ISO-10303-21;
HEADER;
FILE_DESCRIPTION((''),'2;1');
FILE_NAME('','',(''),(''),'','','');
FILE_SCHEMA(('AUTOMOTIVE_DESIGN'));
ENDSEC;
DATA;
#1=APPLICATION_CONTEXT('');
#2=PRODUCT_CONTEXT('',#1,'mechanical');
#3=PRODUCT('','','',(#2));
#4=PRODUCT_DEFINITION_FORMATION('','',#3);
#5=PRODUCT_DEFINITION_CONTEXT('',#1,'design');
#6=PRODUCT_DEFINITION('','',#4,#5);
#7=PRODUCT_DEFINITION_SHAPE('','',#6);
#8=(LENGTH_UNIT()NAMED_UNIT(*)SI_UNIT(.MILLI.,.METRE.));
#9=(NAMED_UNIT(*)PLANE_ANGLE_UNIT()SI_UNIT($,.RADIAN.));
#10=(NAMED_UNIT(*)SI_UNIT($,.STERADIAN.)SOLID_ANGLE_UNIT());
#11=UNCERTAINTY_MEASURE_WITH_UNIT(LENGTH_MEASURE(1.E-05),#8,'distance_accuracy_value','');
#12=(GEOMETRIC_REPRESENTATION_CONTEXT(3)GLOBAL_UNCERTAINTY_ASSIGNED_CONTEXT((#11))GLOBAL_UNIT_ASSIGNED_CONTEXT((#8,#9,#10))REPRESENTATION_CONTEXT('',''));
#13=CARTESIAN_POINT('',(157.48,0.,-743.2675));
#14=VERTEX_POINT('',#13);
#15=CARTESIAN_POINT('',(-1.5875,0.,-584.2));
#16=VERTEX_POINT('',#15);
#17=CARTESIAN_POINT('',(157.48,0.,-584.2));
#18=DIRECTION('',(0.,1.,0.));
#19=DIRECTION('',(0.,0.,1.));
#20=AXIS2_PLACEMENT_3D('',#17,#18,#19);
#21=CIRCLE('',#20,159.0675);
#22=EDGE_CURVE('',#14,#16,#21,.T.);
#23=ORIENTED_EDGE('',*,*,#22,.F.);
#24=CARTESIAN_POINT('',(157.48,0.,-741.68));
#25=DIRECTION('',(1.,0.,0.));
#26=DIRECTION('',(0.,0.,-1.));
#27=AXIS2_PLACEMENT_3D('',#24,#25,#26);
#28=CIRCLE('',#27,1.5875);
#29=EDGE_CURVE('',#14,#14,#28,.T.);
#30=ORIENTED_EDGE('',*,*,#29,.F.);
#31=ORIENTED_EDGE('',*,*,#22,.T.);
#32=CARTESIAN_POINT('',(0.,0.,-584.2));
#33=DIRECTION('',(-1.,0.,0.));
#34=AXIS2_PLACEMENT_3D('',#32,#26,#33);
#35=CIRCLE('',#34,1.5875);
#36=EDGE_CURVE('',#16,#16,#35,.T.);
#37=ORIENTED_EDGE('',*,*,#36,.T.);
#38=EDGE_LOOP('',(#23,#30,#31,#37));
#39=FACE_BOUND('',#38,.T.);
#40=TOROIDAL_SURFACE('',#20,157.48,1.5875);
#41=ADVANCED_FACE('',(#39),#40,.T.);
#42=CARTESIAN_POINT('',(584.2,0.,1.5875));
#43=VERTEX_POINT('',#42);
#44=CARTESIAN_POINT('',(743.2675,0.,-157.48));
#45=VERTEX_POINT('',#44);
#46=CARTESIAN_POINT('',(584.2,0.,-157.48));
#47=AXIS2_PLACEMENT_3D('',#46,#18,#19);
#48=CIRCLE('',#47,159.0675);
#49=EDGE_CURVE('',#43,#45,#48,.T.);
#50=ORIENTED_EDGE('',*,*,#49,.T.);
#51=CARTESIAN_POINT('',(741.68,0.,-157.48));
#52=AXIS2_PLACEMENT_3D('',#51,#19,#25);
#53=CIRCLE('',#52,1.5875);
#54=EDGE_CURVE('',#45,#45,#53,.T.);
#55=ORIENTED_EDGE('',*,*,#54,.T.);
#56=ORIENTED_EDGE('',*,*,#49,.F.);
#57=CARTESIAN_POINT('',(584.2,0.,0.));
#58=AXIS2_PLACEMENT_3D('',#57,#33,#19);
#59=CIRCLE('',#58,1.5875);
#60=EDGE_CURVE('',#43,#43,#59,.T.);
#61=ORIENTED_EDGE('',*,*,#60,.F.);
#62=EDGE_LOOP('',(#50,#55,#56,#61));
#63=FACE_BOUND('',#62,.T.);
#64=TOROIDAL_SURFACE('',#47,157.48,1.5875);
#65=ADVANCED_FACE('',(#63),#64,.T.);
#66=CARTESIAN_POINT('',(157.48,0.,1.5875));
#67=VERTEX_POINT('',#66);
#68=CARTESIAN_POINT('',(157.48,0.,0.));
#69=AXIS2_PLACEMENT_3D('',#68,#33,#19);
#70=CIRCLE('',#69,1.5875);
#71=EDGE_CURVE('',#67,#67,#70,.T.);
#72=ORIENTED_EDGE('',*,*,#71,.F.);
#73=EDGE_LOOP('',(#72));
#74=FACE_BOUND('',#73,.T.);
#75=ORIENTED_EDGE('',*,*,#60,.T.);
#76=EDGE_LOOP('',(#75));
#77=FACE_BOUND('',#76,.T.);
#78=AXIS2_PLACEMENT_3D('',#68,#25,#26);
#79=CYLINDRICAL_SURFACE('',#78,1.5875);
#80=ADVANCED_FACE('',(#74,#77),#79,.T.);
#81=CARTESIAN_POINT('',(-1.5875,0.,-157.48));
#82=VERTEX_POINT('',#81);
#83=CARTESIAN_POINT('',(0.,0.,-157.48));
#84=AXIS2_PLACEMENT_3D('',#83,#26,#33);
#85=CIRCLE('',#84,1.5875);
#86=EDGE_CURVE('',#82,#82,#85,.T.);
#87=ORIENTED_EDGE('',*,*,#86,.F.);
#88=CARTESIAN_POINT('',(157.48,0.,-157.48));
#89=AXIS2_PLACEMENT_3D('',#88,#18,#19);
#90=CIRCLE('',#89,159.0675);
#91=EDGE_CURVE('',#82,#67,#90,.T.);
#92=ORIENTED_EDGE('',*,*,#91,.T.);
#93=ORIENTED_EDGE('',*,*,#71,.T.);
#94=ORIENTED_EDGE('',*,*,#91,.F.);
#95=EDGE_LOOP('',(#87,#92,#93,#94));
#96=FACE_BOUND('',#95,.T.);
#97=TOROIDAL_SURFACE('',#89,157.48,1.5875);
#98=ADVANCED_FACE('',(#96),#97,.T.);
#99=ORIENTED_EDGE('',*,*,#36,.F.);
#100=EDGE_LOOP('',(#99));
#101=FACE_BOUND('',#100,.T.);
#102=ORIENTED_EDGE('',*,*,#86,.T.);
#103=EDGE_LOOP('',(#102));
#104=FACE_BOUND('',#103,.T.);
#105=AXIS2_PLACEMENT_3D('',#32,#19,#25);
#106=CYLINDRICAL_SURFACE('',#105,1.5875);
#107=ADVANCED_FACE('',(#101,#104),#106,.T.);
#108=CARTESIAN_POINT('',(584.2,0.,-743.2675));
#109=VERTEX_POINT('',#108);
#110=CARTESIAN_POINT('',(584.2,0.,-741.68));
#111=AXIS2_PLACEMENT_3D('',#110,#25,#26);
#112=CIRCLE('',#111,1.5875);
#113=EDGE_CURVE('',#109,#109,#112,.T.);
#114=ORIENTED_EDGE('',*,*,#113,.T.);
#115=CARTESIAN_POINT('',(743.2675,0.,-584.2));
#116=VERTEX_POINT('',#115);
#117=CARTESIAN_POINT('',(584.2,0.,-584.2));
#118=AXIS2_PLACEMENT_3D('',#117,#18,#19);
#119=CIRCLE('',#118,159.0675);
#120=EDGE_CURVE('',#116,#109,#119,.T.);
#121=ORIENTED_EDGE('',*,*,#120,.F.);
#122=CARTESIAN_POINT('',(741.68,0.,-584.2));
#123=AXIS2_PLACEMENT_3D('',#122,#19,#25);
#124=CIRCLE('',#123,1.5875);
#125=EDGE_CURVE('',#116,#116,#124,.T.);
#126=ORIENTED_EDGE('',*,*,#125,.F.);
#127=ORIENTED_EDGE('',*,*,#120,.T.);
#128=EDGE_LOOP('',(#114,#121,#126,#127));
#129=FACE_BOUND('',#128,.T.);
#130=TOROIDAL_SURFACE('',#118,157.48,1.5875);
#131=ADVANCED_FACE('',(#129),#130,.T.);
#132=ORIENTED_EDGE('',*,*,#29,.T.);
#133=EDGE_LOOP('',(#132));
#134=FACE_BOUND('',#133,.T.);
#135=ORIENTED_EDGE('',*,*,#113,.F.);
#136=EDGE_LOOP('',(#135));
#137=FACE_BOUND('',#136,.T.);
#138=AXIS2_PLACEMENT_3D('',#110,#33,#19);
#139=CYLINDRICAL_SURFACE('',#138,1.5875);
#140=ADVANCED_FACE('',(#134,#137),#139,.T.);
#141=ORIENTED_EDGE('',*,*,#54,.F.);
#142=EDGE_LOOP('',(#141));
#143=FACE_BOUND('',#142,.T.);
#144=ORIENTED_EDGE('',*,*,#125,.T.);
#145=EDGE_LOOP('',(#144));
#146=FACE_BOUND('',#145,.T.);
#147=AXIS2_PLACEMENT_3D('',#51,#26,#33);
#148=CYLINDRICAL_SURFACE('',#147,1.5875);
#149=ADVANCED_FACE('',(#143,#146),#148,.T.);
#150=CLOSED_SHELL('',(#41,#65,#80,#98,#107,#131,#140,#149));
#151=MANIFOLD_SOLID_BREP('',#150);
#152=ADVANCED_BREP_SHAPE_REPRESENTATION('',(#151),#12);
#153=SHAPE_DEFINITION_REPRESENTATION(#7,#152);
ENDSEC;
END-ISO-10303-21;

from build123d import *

# Parameters (mm, degrees)
SKETCH3_R = 1.5875


with BuildPart() as part:
    # Sweep2: sweep along a path in Sketch1
    with BuildLine(Plane(origin=(0, 0, 0), x_dir=(1, 0, 0), z_dir=(0, 1, 0))) as sweep2_path:
        Line((157.48, 0), (584.2, 0))
        ThreePointArc((584.2, 0), (695.555175901, 46.124824099), (741.68, 157.48))
        Line((741.68, 157.48), (741.68, 584.2))
        ThreePointArc((741.68, 584.2), (695.555175901, 695.555175901), (584.2, 741.68))
        Line((584.2, 741.68), (157.48, 741.68))
        ThreePointArc((157.48, 741.68), (46.124824099, 695.555175901), (0, 584.2))
        Line((0, 584.2), (0, 157.48))
        ThreePointArc((0, 157.48), (46.124824099, 46.124824099), (157.48, 0))
    # Sketch3 → Sweep2 (sweep)
    with BuildSketch(Plane(origin=(0, 0, -157.48), x_dir=(-1, 0, 0), z_dir=(0, 0, -1))):
        Circle(SKETCH3_R)
    sweep(path=sweep2_path.line)


solid = part.part
